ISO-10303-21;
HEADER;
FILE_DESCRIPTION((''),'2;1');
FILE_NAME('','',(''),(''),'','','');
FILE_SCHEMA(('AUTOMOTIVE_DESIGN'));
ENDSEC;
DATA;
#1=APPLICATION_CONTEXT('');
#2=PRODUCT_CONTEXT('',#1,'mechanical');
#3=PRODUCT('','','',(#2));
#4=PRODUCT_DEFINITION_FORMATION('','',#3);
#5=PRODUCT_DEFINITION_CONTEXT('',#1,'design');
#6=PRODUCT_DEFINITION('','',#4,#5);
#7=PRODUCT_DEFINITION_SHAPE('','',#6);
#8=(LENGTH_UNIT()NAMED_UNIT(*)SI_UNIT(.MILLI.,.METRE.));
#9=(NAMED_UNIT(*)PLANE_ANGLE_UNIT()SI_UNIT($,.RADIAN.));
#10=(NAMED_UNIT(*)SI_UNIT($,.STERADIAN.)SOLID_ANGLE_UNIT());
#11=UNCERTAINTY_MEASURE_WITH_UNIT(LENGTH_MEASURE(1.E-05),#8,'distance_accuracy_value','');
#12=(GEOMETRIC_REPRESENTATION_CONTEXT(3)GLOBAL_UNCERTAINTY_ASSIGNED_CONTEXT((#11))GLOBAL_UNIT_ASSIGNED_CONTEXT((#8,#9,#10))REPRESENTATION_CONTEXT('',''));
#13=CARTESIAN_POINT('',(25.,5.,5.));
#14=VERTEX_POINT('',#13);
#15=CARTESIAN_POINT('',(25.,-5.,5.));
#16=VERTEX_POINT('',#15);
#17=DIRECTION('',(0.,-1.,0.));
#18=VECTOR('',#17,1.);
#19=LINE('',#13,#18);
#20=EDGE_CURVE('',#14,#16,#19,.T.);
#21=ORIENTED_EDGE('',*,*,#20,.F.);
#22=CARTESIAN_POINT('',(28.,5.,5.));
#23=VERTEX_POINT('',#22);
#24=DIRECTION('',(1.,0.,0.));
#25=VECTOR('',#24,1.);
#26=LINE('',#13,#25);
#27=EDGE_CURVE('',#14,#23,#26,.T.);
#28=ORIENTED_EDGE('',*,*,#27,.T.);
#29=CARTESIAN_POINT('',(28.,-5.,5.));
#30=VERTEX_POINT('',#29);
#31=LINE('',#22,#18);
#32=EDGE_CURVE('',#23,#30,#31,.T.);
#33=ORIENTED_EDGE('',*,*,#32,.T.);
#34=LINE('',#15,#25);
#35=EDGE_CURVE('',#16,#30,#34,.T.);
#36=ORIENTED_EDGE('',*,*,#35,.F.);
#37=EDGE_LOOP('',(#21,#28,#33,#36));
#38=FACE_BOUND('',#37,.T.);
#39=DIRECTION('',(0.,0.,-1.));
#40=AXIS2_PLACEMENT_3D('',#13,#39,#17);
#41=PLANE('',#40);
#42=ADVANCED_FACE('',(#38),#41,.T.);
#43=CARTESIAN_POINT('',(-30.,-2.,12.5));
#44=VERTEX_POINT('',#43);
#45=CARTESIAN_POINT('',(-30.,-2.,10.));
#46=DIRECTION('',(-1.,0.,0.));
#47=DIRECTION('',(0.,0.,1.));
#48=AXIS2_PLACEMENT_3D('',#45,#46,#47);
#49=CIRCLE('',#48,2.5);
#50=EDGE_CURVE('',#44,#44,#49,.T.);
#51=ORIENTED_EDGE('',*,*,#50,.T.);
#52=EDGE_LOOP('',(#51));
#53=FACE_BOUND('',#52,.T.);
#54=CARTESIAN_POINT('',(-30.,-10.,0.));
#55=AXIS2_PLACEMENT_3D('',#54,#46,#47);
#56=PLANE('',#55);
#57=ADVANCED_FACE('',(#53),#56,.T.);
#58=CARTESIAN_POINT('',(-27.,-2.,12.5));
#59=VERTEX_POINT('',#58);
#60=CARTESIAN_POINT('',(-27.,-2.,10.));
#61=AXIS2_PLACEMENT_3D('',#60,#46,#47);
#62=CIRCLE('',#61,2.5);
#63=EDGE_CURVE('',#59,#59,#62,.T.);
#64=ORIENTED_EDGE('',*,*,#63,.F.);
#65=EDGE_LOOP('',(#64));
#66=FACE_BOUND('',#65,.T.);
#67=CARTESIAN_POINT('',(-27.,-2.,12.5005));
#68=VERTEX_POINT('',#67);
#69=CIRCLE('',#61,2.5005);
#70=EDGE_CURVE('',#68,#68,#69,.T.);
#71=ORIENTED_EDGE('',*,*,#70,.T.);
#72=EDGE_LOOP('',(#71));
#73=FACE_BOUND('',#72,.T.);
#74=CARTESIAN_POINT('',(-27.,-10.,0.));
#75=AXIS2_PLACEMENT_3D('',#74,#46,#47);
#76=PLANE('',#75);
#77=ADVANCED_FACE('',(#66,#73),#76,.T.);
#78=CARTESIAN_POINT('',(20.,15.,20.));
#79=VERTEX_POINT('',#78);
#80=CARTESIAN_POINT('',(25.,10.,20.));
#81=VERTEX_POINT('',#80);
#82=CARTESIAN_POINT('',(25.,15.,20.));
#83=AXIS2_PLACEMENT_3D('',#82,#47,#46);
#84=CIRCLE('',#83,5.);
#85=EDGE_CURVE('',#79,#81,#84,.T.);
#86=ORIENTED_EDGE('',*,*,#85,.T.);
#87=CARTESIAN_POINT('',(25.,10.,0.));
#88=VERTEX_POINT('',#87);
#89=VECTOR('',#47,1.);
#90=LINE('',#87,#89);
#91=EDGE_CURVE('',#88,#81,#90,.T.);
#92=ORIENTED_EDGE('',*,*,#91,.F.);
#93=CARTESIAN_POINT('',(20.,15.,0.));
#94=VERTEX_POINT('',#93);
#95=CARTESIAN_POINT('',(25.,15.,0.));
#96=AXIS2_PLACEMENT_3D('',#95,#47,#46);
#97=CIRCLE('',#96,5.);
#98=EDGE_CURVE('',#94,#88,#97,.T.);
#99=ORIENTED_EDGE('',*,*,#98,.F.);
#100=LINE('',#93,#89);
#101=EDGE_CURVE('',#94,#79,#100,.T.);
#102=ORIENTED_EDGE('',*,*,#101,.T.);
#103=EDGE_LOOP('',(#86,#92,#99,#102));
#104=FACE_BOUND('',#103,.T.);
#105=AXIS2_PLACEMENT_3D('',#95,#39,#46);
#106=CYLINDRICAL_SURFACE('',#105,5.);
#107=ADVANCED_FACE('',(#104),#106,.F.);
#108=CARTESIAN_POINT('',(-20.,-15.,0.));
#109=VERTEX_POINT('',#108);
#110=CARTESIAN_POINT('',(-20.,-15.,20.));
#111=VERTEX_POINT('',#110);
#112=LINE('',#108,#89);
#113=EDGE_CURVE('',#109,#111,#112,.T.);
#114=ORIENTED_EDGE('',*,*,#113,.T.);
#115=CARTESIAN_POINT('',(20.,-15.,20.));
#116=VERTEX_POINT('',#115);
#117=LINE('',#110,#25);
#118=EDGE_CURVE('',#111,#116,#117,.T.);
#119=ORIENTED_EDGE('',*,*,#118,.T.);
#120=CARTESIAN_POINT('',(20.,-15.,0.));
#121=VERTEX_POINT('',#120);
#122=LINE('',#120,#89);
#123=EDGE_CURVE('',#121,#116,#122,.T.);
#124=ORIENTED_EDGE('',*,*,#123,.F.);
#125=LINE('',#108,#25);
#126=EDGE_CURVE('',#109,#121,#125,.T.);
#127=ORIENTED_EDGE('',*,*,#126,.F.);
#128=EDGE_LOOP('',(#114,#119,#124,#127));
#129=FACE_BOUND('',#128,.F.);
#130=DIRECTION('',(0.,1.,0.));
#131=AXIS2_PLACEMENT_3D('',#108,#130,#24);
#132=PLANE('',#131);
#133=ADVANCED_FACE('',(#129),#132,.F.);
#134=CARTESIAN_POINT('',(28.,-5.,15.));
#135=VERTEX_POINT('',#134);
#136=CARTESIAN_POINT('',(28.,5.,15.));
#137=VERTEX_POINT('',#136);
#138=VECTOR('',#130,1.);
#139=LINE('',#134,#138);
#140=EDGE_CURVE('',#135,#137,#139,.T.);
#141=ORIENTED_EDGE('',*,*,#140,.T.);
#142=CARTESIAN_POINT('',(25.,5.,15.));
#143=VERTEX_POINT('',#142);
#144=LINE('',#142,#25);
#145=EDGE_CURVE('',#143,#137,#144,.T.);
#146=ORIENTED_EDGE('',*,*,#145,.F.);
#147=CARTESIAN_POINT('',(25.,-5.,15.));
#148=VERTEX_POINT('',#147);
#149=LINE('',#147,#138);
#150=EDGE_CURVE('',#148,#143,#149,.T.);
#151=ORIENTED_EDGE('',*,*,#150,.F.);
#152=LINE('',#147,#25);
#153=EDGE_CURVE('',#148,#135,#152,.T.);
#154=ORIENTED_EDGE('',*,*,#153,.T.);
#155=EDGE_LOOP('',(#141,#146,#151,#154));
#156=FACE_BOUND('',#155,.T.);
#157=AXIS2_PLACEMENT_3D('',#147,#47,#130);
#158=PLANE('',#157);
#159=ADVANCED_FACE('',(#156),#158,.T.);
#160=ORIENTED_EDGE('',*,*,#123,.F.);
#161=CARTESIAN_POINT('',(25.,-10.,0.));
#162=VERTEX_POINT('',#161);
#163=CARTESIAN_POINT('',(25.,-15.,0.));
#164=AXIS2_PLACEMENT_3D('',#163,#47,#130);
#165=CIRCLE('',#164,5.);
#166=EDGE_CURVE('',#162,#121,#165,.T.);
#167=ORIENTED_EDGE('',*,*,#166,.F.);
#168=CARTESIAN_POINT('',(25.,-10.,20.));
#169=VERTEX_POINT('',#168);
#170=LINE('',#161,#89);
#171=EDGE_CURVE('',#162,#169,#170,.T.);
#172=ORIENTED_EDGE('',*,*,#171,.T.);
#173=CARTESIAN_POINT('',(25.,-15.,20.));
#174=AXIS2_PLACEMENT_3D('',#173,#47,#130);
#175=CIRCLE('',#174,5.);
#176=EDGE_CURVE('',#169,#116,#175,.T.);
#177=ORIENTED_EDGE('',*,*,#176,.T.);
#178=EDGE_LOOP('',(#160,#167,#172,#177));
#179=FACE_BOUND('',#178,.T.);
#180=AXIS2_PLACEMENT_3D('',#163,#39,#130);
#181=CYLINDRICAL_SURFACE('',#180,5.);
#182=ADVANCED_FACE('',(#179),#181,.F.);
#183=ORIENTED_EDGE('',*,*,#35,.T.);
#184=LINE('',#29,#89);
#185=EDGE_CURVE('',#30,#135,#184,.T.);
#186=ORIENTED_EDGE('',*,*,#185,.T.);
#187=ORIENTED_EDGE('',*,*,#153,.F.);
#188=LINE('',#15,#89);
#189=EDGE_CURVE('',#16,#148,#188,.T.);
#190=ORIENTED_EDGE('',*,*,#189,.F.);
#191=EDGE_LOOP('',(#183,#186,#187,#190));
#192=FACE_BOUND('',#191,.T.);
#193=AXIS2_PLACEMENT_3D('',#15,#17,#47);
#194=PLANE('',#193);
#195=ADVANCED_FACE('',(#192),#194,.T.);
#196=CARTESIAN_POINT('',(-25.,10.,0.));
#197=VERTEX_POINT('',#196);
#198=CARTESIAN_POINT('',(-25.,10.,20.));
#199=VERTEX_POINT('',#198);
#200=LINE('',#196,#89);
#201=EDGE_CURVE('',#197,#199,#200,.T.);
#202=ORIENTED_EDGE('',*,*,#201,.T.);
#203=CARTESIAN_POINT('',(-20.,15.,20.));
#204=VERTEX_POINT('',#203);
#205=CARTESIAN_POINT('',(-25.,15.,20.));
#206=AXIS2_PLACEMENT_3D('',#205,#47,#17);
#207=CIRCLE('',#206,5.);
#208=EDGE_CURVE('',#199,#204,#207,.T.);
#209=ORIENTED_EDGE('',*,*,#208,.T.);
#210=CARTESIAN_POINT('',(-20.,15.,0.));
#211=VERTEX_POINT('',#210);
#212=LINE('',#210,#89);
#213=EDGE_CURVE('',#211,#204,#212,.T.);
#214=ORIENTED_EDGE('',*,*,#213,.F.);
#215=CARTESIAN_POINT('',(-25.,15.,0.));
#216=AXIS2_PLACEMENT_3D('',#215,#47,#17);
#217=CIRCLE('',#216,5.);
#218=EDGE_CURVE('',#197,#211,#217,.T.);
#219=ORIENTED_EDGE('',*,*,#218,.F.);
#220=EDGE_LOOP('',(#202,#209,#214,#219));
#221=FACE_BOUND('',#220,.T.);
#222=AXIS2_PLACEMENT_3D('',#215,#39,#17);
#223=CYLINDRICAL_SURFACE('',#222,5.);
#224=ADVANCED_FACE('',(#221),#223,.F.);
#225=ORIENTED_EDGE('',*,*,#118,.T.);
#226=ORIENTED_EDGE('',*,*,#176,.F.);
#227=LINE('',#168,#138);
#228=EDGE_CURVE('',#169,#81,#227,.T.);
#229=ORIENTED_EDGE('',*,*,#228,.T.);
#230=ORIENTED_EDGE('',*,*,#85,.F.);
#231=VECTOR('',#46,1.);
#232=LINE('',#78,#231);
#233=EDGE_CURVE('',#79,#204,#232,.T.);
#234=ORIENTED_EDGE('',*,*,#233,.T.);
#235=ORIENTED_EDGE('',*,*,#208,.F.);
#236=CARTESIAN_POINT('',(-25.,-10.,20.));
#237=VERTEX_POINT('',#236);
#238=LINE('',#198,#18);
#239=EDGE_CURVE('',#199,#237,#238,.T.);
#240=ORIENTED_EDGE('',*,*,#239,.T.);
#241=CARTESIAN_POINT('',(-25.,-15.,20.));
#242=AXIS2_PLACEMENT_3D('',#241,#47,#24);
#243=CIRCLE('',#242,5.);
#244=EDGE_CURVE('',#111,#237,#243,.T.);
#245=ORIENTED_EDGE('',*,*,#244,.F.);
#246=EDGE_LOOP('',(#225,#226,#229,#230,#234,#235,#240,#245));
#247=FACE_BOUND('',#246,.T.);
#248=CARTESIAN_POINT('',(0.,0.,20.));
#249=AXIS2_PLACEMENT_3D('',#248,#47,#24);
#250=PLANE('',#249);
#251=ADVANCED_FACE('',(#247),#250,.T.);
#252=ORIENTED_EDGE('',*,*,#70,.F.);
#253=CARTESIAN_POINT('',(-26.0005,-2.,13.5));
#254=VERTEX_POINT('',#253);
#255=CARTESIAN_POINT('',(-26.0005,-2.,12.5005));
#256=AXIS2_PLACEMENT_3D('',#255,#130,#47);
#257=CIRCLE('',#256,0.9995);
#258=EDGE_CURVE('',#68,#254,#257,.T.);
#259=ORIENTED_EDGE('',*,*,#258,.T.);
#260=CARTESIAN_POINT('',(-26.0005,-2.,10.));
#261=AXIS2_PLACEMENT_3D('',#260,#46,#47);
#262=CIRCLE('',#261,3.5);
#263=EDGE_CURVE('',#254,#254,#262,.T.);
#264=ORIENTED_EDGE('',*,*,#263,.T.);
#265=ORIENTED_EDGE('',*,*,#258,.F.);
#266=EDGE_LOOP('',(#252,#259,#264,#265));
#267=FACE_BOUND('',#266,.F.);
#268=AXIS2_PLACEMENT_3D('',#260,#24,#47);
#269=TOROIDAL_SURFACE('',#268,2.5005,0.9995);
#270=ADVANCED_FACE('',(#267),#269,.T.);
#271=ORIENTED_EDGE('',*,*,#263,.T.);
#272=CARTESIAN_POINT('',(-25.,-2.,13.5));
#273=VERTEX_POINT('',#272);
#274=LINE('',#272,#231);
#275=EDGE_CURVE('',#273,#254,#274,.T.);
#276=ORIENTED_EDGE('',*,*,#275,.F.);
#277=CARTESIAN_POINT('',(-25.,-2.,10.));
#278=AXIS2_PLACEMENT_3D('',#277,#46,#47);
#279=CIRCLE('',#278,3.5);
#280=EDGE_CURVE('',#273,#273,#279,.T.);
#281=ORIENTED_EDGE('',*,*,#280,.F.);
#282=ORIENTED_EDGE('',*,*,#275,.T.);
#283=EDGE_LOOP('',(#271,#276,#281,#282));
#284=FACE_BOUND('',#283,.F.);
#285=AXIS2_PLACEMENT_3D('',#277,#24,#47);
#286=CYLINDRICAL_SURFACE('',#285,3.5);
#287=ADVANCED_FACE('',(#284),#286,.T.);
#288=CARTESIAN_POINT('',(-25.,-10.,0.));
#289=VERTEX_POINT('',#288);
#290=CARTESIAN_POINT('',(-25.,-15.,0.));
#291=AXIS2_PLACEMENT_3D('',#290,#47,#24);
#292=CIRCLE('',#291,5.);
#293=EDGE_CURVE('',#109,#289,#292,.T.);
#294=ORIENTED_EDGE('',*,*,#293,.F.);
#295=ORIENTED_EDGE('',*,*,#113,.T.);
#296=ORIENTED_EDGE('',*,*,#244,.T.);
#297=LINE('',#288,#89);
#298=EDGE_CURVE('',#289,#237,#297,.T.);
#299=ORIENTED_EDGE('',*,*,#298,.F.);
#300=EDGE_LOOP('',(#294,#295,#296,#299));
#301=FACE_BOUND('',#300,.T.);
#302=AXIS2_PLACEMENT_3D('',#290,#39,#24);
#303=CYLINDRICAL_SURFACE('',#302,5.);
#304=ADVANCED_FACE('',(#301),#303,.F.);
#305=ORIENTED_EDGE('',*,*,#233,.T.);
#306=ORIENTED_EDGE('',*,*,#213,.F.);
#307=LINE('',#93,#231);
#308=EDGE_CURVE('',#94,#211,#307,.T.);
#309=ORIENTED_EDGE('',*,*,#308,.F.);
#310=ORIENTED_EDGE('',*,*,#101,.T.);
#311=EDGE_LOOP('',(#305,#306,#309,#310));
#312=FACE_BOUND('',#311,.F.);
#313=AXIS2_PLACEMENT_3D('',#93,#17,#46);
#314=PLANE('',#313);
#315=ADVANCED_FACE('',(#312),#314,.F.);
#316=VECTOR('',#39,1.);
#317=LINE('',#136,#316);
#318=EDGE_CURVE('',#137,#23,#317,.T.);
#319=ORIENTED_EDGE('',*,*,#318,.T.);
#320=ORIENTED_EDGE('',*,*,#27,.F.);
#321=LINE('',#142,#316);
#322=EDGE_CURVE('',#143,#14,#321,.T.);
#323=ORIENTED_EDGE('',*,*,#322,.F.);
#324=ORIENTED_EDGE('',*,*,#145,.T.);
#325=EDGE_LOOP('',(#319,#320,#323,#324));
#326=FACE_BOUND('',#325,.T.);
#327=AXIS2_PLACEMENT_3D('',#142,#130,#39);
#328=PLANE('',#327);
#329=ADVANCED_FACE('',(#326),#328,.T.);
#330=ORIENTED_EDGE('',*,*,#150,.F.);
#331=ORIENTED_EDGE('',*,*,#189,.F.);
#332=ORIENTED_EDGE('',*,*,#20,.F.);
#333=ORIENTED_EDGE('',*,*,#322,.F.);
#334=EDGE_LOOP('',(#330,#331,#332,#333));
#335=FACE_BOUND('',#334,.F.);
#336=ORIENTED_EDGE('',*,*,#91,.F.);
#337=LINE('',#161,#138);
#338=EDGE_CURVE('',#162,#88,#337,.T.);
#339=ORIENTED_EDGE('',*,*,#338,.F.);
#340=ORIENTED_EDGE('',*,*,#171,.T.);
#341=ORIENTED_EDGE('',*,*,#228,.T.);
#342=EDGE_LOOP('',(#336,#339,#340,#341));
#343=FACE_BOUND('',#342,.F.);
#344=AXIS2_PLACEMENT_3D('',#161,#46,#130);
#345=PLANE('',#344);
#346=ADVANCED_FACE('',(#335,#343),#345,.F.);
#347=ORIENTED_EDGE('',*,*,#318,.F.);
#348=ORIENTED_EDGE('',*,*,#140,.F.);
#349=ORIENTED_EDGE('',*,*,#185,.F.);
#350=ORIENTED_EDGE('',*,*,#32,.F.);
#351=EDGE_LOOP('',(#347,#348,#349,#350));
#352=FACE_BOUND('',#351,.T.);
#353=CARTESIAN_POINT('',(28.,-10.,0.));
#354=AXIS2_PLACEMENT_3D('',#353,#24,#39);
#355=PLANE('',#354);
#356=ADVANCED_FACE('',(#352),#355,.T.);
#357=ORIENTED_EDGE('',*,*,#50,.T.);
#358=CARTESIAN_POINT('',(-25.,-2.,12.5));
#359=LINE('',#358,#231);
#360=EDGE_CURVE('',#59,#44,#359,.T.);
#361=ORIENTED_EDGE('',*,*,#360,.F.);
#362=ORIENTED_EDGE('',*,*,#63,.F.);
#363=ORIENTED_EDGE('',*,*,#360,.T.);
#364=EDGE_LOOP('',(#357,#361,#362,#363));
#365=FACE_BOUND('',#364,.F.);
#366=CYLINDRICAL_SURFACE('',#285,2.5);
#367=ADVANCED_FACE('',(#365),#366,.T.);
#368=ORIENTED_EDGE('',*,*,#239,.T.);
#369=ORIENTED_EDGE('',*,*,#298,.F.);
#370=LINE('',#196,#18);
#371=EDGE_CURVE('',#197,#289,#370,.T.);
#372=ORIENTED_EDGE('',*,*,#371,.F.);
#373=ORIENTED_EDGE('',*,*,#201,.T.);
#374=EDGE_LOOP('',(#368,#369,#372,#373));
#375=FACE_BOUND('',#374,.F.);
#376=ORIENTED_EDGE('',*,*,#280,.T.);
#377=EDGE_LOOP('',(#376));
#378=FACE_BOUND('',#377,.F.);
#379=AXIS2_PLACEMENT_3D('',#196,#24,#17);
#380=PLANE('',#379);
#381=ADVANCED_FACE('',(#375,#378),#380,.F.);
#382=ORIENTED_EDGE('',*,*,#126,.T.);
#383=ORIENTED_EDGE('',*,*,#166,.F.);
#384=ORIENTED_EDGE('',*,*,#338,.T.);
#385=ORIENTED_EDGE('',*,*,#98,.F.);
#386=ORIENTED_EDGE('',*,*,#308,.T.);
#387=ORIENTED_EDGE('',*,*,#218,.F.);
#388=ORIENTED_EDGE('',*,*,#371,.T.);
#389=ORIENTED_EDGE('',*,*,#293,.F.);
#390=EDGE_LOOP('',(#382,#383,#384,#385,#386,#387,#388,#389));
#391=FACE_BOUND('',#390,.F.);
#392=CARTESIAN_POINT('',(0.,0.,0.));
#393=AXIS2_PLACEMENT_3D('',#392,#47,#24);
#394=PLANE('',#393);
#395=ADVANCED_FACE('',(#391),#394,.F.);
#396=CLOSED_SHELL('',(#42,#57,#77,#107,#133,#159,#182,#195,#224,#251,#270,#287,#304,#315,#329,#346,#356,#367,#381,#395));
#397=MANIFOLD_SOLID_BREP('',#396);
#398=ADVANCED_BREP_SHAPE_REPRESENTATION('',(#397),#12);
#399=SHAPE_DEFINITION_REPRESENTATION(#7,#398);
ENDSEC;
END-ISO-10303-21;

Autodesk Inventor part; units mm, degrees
ref_plane "YZ Plane" through (0, 0, 0) normal (1, 0, 0) x (0, 1, 0)
ref_plane "XZ Plane" through (0, 0, 0) normal (0, 1, 0) x (-1, 0, 0)
ref_plane "XY Plane" through (0, 0, 0) normal (0, 0, 1) x (1, 0, 0)
sketch "Esboço1" plane through (0, 0, 0) normal (0, 0, 1) x (1, 0, 0)
  line L0 (-20, -15) -> (20, -15)
  line L1 (25, -10) -> (25, 10)
  line L2 (20, 15) -> (-20, 15)
  line L3 (-25, 10) -> (-25, -10)
  line L4 (-25, -15) -> (25, 15) construction
  line L5 (10.842, 0) -> (-10.842, 0) construction
  line L6 (0, 2.6199) -> (0, -2.6199) construction
  line L7 (1.3987, 0) -> (-1.3987, 0) construction
  arc A0 (20, 15) -> (25, 10) centre (25, 15) ccw
  arc A1 (25, -10) -> (20, -15) centre (25, -15) ccw
  arc A2 (-25, 10) -> (-20, 15) centre (-25, 15) ccw
  arc A3 (-20, -15) -> (-25, -10) centre (-25, -15) ccw
  point P0 (0, 0)
  dimension "d0" = 30
  dimension "d1" = 50
  dimension "d22" = 10
  dimension "d23" = 5
  dimension "d24" = 5
extrude "Extrusão1" add sketch "Esboço1" along normal blind 20
sketch "Esboço2" plane through (-25, -10, 0) normal (-1, 0, 0) x (0, 0, 1)
  circle A0 centre (10, 8) radius 2.5
  line L0 (20, 20) -> (20, 0) projected
  line L1 (0, 0) -> (20, 0) projected
  circle A1 centre (10, 8) radius 3.5
  line L2 (10, 0) -> (10, 11.9886) construction
  line L3 (0, -5) -> (20, -5) projected
  point P0 (0, 10)
  dimension "d10" = 1
  dimension "d25" = 5
  dimension "d27" = 8
extrude "Extrusão2" add sketch "Esboço2" along normal blind 2
extrude "Extrusão3" add sketch "Esboço2" along normal blind 5 contours A0
fillet "Arredondamento1" radius 1 1 edges at (-27, -2, 6.5)
thread "Rosca1" size "M2x0.4" class "6g" standard "ANSI Metric M Profile" full length
sketch "Esboço5" plane through (25, -10, 0) normal (1, 0, 0) x (0, 0, -1)
  line L0 (-20, 20) -> (0, 20) projected
  line L1 (0, 20) -> (0, 0) projected
  line L2 (0, 0) -> (-20, 0) projected
  line L3 (-20, 0) -> (-20, 20) projected
  line L4 (-15, 15) -> (-5, 15)
  line L5 (-5, 15) -> (-5, 5)
  line L6 (-5, 5) -> (-15, 5)
  line L7 (-15, 5) -> (-15, 15)
  point P0 (0, 10)
  dimension "d28" = 5
extrude "Extrusão4" add sketch "Esboço5" along normal blind 3 contours L4 L5 L6 L7
properties part number "receptor ftth fibra"
